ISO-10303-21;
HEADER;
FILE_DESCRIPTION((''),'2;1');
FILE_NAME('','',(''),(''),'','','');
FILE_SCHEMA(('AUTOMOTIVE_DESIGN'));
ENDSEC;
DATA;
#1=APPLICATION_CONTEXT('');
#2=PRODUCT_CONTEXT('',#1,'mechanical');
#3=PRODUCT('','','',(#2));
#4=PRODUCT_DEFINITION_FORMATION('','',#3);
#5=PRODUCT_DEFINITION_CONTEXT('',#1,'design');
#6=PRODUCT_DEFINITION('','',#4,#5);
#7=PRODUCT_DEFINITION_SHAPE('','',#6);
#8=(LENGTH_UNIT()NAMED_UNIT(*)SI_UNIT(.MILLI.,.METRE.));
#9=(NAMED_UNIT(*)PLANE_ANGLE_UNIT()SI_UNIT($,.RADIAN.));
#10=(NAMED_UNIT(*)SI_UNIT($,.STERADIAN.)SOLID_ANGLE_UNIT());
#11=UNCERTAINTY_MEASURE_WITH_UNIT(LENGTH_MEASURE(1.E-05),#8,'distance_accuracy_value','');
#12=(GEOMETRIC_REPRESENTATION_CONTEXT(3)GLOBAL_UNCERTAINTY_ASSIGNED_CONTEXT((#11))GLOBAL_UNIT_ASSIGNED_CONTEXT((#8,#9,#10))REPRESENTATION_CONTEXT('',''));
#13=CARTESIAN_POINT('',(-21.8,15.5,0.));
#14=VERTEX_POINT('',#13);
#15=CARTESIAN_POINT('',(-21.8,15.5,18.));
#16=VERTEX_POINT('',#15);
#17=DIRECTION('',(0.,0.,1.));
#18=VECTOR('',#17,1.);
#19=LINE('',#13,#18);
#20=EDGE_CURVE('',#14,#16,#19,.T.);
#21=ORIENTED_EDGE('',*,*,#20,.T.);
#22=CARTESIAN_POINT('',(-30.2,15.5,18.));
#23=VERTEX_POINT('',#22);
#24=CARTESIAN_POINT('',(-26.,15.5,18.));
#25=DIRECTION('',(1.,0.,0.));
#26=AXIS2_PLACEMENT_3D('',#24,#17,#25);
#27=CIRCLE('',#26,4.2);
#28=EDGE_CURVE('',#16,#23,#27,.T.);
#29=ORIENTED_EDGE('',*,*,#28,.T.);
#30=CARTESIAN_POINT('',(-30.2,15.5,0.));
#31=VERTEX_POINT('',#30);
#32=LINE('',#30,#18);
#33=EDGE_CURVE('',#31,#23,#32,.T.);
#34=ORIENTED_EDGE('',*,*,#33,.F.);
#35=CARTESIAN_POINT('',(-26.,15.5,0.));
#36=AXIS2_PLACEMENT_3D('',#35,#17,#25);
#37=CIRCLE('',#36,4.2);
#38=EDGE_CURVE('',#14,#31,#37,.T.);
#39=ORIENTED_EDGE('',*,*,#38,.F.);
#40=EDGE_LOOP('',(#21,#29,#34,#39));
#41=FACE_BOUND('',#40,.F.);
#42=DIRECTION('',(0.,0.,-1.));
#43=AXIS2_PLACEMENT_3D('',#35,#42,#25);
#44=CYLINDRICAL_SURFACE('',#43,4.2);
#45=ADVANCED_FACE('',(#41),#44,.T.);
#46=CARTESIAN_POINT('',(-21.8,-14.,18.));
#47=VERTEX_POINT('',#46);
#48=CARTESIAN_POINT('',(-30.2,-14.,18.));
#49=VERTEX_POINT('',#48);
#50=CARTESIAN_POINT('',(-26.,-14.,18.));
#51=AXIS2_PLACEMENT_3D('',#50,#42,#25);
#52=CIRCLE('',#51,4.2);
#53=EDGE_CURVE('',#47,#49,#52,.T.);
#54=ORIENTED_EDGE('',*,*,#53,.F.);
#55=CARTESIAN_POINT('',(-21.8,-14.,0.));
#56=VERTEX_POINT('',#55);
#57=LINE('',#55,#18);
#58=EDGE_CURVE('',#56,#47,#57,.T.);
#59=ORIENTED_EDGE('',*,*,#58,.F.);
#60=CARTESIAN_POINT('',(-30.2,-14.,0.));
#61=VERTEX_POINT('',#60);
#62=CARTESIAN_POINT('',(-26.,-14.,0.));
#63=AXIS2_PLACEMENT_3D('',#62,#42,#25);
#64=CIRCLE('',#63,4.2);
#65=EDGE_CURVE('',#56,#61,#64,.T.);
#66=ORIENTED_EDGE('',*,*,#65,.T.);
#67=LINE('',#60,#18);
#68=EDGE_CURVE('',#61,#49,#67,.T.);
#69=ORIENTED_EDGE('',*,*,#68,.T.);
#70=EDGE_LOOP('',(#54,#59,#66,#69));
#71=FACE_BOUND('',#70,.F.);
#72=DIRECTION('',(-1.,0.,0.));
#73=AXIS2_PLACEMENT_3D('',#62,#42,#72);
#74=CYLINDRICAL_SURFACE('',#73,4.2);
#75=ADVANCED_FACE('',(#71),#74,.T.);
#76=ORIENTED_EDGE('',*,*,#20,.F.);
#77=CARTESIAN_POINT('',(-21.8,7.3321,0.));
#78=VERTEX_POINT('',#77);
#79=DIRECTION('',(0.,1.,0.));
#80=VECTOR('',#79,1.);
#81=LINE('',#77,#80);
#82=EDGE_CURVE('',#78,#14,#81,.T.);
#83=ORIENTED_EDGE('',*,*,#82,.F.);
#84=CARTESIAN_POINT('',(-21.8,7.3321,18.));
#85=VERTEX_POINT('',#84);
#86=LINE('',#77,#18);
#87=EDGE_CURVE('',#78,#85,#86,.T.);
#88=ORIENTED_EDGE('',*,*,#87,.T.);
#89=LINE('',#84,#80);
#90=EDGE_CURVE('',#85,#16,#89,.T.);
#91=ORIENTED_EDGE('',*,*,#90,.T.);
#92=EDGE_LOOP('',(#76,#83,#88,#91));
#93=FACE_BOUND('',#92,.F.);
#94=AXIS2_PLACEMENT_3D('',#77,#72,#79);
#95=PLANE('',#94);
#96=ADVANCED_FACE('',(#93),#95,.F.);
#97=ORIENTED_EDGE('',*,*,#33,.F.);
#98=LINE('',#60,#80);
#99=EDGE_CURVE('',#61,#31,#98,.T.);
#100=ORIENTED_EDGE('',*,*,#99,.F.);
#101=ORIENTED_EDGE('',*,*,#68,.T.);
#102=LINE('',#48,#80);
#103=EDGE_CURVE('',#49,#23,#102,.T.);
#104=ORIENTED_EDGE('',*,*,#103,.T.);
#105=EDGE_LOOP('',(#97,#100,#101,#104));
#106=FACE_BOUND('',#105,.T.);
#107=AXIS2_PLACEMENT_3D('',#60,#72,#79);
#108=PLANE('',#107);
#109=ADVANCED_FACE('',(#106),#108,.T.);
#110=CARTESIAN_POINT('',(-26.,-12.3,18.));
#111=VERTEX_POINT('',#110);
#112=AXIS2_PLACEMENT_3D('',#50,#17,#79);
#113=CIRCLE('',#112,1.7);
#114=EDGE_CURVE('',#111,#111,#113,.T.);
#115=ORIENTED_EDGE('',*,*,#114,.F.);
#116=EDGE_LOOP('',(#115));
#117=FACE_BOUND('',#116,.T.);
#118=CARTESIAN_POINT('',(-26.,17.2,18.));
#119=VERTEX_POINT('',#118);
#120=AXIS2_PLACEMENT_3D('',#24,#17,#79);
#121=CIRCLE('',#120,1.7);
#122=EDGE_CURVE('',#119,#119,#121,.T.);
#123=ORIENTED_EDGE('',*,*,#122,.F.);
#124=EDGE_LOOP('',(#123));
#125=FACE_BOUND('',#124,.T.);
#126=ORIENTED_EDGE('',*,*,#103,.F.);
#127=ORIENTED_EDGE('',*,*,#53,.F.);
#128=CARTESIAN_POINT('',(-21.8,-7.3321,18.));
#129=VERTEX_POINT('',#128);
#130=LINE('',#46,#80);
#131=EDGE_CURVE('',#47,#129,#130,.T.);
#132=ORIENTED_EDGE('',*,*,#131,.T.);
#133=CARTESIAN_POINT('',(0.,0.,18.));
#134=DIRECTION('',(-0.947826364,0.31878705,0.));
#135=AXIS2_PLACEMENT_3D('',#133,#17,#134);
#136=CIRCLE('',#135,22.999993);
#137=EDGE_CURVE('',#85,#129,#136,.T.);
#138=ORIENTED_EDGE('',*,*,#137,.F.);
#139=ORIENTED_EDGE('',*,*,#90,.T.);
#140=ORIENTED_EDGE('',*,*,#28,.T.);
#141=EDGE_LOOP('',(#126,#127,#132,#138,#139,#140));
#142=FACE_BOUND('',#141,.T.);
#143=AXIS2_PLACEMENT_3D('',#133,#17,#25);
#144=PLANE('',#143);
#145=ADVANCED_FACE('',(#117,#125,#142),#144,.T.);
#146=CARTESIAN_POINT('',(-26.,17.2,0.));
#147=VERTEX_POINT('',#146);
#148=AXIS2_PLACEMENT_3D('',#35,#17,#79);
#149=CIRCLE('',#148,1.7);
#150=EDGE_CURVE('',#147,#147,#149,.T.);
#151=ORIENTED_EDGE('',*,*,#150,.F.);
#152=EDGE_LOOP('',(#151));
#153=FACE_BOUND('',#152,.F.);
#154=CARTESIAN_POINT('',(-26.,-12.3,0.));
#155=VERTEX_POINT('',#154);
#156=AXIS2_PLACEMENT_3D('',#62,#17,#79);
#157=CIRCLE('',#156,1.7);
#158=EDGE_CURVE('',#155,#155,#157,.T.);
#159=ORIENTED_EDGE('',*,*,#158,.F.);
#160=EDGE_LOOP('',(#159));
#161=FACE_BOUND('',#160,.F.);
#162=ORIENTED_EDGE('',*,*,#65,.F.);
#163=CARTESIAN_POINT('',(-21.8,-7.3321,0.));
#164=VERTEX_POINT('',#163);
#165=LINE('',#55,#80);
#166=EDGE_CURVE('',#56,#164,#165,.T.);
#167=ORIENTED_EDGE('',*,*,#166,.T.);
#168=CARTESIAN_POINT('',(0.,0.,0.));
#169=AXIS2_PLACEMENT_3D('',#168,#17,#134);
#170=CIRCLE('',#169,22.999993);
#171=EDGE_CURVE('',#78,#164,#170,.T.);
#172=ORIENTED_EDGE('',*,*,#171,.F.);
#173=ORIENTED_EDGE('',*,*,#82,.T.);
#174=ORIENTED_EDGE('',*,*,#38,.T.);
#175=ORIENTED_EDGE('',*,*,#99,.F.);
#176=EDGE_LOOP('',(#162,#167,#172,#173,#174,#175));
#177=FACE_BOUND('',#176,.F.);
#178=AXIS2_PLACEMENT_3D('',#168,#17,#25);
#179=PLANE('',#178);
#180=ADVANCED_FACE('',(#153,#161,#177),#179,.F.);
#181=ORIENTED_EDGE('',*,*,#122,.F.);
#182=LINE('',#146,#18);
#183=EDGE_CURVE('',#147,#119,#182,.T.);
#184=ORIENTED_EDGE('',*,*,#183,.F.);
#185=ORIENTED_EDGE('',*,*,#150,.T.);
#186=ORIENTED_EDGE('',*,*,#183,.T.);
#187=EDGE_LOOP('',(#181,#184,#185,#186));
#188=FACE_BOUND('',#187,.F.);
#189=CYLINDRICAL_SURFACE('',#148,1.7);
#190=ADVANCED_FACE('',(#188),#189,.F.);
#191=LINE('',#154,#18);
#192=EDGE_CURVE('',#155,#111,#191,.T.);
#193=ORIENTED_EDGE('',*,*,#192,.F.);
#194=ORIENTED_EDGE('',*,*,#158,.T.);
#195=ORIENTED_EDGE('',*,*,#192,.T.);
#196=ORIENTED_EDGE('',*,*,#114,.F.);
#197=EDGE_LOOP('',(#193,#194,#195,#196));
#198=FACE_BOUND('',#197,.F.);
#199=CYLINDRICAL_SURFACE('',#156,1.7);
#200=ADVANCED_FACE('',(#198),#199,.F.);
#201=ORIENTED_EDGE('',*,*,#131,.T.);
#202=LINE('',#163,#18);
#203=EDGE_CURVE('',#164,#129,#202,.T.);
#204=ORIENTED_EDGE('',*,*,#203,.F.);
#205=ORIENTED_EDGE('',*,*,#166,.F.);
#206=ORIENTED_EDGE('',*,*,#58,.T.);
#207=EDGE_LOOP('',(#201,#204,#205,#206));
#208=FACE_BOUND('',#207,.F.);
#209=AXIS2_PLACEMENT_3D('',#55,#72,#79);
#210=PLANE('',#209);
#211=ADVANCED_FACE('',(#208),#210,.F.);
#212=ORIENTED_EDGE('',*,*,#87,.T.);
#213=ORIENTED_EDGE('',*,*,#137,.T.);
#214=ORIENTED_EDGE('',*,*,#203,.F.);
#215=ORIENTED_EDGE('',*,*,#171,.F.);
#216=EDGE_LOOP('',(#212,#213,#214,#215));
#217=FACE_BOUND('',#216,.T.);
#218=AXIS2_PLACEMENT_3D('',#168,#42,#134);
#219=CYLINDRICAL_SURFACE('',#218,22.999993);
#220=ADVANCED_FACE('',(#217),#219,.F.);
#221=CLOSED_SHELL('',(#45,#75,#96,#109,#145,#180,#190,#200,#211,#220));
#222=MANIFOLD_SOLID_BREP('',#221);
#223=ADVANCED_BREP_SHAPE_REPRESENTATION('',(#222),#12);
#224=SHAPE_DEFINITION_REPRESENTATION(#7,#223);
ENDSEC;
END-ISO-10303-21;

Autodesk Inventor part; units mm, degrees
ref_plane "YZ Plane" through (0, 0, 0) normal (1, 0, 0) x (0, 1, 0)
ref_plane "XZ Plane" through (0, 0, 0) normal (0, 1, 0) x (-1, 0, 0)
ref_plane "XY Plane" through (0, 0, 0) normal (0, 0, 1) x (1, 0, 0)
ref_plane "Work Plane1" through (0, 0, 0) normal (0, 0, 1) x (1, 0, 0)
sketch "Sketch1" plane through (0, 0, 0) normal (0, 0, 1) x (1, 0, 0)
  circle A0 centre (-26, -14) radius 1.7 projected
  circle A1 centre (-26, 15.5) radius 1.7 projected
  arc A2 (-30.2, -14) -> (-21.8, -14) centre (-26, -14) ccw
  arc A3 (-21.8, 15.5) -> (-30.2, 15.5) centre (-26, 15.5) ccw
  arc A4 (-21.8, 7.3321) -> (-21.8, -7.3321) centre (0, 0) ccw
  line L0 (-21.8, -14) -> (-21.8, -7.3321)
  line L1 (-21.8, 7.3321) -> (-21.8, 15.5)
  line L2 (-30.2, -14) -> (-30.2, 15.5)
  line L3 (-26, -14) -> (-30.2, -14) construction
  line L4 (-203.2094, -16) -> (37.4788, -16) construction
  line L5 (-29.6932, -16) -> (-106.7251, -16)
  dimension "d0" = 2.5
  dimension "d1" = 2.5
  dimension "d2" = 46
  dimension "d12" = 16
extrude "Extrusion1" add sketch "Sketch1" along normal blind 18 contours A0 | A1 | L2 A3 L1 A4 L0 A2
hole "Hole1" at (-26, 15.5, 0) at (-26, -14, 0) direction (0, 0, 1) diameter 3.4 end through all clearance for "Countersunk Head GOST 12876-67" size "M3" standard "GOST"
properties part number "plate_washer_1"
